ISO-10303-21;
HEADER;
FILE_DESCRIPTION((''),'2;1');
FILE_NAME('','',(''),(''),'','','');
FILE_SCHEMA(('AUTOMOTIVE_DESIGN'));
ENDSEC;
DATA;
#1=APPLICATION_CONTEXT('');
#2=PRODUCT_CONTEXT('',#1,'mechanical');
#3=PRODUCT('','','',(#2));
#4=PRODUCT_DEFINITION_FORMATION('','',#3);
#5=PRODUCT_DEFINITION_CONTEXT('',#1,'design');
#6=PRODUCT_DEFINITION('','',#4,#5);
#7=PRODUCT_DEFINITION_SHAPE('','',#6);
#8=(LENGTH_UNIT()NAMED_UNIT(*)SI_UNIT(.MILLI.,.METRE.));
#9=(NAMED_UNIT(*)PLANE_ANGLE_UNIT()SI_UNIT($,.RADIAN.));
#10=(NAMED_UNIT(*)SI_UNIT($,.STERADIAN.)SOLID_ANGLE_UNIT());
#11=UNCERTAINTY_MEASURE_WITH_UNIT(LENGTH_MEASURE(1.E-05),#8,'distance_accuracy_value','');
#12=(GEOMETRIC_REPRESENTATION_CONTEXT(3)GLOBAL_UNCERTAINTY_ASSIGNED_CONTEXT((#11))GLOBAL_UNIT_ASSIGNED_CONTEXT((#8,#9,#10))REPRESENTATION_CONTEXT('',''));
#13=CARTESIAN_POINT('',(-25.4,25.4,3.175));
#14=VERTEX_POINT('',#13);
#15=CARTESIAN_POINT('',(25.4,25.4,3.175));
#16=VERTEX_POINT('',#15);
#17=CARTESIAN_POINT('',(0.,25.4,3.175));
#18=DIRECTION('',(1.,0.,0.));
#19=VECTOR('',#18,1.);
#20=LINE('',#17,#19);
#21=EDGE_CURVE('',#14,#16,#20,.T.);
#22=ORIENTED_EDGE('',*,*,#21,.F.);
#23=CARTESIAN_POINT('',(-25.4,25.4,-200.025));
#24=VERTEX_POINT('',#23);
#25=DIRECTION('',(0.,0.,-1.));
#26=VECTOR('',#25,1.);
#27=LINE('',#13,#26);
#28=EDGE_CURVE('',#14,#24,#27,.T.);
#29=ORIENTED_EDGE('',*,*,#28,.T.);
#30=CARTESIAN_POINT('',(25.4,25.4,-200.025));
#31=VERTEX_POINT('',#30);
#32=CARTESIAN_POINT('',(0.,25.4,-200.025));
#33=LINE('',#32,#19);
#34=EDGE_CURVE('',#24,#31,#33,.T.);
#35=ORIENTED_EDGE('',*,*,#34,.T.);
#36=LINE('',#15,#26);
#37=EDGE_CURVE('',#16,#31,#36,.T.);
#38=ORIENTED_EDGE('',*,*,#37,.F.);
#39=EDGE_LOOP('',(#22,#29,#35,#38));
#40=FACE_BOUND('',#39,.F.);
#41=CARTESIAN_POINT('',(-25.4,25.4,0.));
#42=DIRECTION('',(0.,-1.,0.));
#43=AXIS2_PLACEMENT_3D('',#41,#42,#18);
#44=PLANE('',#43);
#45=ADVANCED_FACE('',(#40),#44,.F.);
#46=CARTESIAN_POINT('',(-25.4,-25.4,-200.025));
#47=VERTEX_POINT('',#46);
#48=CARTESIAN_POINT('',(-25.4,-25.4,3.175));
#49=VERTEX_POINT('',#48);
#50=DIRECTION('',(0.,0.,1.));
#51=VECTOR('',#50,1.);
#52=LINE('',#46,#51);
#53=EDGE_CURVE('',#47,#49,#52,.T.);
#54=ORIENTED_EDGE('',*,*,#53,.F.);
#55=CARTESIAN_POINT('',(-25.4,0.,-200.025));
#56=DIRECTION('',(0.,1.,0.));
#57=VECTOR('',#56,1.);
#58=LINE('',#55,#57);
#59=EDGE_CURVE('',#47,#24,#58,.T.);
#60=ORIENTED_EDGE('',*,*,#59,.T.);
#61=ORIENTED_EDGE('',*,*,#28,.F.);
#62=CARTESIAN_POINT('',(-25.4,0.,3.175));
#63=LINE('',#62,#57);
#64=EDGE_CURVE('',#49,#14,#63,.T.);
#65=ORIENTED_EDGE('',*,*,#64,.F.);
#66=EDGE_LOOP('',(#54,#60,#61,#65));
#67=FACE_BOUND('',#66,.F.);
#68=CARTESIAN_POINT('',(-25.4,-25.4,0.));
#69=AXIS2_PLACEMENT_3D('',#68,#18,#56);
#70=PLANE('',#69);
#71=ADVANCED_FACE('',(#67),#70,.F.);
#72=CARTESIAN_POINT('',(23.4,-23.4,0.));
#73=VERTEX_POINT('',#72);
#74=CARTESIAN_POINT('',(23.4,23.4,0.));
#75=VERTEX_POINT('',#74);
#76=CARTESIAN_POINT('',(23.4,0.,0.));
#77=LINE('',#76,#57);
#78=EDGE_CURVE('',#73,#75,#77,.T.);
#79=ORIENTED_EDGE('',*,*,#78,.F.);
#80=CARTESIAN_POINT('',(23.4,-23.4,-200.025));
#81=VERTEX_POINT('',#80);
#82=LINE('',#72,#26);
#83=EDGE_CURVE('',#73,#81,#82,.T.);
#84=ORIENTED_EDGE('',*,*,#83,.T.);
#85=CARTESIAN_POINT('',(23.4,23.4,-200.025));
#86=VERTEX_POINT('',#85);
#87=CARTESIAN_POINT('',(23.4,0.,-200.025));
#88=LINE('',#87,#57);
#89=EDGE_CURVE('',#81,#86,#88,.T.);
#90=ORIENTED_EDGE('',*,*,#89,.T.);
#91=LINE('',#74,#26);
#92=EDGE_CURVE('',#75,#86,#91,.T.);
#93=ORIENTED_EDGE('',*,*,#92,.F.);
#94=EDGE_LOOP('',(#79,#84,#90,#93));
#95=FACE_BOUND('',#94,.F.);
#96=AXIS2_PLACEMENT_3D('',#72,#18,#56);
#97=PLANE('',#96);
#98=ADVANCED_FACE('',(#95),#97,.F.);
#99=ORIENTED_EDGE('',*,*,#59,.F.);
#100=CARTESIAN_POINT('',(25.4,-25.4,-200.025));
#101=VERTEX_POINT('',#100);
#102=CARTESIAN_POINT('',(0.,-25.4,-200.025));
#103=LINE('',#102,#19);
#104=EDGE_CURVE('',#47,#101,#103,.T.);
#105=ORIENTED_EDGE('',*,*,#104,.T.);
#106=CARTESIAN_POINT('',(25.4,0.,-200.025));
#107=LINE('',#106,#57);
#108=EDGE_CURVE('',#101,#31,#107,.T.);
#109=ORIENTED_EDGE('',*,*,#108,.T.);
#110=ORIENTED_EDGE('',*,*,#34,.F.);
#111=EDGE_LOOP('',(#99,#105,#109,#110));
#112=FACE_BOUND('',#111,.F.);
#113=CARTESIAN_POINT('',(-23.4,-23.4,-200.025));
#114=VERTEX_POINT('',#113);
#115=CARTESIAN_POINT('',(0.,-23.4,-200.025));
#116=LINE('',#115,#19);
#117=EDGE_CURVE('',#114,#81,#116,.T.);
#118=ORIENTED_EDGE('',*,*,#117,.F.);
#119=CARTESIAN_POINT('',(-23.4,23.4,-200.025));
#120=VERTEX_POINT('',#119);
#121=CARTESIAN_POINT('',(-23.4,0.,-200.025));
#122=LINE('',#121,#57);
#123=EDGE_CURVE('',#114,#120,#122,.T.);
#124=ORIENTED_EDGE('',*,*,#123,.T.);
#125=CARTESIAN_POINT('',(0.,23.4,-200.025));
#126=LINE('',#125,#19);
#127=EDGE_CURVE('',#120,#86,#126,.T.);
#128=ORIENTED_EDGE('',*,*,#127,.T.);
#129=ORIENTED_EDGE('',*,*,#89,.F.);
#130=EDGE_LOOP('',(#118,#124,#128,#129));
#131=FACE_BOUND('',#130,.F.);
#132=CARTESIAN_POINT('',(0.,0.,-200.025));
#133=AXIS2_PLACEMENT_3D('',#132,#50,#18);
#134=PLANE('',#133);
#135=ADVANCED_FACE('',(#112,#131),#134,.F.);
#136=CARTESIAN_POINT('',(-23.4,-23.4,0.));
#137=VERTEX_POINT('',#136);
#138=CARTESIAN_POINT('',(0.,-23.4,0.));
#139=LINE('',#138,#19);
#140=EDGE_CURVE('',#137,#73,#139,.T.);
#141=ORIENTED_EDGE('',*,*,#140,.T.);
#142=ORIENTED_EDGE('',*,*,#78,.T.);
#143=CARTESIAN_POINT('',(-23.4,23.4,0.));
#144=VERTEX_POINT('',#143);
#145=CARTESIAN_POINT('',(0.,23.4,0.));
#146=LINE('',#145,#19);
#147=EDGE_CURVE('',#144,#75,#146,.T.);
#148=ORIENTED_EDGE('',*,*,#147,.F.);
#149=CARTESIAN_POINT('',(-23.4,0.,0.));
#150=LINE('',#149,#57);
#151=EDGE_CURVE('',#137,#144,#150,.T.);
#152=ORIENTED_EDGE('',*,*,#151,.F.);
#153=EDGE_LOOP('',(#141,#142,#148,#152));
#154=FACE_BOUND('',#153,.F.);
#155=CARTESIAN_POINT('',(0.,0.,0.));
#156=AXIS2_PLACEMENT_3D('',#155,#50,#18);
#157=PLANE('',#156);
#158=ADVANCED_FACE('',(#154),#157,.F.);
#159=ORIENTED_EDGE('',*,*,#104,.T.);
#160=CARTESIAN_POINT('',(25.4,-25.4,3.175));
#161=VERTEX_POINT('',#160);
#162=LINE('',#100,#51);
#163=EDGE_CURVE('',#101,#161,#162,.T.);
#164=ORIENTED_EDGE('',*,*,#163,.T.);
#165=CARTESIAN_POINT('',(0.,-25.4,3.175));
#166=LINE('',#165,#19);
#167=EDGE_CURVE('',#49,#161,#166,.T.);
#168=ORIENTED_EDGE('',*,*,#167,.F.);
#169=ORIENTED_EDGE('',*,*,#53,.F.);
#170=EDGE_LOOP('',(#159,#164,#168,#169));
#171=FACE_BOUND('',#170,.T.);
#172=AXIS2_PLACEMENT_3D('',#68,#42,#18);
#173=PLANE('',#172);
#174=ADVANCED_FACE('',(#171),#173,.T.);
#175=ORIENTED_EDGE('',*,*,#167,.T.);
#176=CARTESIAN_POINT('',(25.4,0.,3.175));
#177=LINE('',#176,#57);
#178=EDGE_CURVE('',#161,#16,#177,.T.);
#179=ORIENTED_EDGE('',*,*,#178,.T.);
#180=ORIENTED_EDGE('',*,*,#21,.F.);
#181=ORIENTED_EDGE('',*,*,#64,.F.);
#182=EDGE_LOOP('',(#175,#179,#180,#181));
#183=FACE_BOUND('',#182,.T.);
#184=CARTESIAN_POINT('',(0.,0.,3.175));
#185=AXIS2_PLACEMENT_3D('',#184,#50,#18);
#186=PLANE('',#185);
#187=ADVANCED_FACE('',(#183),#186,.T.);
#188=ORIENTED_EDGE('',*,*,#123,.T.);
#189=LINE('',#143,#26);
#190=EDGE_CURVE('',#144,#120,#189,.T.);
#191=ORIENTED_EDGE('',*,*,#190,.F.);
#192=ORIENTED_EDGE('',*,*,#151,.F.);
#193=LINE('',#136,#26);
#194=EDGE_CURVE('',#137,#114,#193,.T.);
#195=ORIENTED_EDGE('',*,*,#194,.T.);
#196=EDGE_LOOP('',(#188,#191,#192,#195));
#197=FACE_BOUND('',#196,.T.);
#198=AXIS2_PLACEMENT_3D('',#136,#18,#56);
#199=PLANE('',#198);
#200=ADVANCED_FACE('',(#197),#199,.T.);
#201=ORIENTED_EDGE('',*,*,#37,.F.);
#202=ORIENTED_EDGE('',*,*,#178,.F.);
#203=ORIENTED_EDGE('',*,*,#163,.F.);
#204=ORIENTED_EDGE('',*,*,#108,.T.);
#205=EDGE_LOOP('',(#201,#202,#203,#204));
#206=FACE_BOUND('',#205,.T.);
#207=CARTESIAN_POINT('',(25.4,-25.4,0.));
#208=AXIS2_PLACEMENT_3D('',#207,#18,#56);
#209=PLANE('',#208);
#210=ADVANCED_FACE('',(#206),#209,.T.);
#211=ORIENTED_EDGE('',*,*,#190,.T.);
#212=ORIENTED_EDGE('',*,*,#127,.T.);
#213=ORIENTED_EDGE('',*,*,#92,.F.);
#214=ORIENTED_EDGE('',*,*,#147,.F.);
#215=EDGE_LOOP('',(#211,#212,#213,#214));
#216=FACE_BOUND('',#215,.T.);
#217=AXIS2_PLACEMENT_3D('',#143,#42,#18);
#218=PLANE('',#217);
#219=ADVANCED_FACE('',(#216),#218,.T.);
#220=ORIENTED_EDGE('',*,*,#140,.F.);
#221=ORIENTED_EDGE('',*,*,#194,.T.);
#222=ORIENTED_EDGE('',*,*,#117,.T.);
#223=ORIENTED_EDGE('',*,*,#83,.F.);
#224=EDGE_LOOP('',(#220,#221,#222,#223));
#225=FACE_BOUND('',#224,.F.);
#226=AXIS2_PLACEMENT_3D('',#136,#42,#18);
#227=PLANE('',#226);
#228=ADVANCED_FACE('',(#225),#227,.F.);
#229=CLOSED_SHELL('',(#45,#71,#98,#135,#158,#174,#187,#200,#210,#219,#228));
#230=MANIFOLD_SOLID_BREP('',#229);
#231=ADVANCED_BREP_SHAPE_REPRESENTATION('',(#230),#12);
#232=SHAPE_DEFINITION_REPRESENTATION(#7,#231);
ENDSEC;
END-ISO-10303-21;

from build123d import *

# Parameters (mm, degrees)
F0_W     = 50.8
F0_H     = 50.8
F0_W_2   = 46.8
F0_H_2   = 46.8
F1_DEPTH = 3.175
F2_DEPTH = 200.025


with BuildPart() as f1:
    # F0 (on Top) → F1 (new body)
    with BuildSketch(Plane.XY):
        Rectangle(F0_W, F0_H)
        Rectangle(F0_W_2, F0_H_2, mode=Mode.SUBTRACT)
        Rectangle(F0_W_2, F0_H_2)
    extrude(amount=F1_DEPTH)

    # F0 (on Top) → F2 (join)
    with BuildSketch(Plane.XY):
        Rectangle(F0_W, F0_H)
        Rectangle(F0_W_2, F0_H_2, mode=Mode.SUBTRACT)
    extrude(amount=-F2_DEPTH)


solid = f1.part
